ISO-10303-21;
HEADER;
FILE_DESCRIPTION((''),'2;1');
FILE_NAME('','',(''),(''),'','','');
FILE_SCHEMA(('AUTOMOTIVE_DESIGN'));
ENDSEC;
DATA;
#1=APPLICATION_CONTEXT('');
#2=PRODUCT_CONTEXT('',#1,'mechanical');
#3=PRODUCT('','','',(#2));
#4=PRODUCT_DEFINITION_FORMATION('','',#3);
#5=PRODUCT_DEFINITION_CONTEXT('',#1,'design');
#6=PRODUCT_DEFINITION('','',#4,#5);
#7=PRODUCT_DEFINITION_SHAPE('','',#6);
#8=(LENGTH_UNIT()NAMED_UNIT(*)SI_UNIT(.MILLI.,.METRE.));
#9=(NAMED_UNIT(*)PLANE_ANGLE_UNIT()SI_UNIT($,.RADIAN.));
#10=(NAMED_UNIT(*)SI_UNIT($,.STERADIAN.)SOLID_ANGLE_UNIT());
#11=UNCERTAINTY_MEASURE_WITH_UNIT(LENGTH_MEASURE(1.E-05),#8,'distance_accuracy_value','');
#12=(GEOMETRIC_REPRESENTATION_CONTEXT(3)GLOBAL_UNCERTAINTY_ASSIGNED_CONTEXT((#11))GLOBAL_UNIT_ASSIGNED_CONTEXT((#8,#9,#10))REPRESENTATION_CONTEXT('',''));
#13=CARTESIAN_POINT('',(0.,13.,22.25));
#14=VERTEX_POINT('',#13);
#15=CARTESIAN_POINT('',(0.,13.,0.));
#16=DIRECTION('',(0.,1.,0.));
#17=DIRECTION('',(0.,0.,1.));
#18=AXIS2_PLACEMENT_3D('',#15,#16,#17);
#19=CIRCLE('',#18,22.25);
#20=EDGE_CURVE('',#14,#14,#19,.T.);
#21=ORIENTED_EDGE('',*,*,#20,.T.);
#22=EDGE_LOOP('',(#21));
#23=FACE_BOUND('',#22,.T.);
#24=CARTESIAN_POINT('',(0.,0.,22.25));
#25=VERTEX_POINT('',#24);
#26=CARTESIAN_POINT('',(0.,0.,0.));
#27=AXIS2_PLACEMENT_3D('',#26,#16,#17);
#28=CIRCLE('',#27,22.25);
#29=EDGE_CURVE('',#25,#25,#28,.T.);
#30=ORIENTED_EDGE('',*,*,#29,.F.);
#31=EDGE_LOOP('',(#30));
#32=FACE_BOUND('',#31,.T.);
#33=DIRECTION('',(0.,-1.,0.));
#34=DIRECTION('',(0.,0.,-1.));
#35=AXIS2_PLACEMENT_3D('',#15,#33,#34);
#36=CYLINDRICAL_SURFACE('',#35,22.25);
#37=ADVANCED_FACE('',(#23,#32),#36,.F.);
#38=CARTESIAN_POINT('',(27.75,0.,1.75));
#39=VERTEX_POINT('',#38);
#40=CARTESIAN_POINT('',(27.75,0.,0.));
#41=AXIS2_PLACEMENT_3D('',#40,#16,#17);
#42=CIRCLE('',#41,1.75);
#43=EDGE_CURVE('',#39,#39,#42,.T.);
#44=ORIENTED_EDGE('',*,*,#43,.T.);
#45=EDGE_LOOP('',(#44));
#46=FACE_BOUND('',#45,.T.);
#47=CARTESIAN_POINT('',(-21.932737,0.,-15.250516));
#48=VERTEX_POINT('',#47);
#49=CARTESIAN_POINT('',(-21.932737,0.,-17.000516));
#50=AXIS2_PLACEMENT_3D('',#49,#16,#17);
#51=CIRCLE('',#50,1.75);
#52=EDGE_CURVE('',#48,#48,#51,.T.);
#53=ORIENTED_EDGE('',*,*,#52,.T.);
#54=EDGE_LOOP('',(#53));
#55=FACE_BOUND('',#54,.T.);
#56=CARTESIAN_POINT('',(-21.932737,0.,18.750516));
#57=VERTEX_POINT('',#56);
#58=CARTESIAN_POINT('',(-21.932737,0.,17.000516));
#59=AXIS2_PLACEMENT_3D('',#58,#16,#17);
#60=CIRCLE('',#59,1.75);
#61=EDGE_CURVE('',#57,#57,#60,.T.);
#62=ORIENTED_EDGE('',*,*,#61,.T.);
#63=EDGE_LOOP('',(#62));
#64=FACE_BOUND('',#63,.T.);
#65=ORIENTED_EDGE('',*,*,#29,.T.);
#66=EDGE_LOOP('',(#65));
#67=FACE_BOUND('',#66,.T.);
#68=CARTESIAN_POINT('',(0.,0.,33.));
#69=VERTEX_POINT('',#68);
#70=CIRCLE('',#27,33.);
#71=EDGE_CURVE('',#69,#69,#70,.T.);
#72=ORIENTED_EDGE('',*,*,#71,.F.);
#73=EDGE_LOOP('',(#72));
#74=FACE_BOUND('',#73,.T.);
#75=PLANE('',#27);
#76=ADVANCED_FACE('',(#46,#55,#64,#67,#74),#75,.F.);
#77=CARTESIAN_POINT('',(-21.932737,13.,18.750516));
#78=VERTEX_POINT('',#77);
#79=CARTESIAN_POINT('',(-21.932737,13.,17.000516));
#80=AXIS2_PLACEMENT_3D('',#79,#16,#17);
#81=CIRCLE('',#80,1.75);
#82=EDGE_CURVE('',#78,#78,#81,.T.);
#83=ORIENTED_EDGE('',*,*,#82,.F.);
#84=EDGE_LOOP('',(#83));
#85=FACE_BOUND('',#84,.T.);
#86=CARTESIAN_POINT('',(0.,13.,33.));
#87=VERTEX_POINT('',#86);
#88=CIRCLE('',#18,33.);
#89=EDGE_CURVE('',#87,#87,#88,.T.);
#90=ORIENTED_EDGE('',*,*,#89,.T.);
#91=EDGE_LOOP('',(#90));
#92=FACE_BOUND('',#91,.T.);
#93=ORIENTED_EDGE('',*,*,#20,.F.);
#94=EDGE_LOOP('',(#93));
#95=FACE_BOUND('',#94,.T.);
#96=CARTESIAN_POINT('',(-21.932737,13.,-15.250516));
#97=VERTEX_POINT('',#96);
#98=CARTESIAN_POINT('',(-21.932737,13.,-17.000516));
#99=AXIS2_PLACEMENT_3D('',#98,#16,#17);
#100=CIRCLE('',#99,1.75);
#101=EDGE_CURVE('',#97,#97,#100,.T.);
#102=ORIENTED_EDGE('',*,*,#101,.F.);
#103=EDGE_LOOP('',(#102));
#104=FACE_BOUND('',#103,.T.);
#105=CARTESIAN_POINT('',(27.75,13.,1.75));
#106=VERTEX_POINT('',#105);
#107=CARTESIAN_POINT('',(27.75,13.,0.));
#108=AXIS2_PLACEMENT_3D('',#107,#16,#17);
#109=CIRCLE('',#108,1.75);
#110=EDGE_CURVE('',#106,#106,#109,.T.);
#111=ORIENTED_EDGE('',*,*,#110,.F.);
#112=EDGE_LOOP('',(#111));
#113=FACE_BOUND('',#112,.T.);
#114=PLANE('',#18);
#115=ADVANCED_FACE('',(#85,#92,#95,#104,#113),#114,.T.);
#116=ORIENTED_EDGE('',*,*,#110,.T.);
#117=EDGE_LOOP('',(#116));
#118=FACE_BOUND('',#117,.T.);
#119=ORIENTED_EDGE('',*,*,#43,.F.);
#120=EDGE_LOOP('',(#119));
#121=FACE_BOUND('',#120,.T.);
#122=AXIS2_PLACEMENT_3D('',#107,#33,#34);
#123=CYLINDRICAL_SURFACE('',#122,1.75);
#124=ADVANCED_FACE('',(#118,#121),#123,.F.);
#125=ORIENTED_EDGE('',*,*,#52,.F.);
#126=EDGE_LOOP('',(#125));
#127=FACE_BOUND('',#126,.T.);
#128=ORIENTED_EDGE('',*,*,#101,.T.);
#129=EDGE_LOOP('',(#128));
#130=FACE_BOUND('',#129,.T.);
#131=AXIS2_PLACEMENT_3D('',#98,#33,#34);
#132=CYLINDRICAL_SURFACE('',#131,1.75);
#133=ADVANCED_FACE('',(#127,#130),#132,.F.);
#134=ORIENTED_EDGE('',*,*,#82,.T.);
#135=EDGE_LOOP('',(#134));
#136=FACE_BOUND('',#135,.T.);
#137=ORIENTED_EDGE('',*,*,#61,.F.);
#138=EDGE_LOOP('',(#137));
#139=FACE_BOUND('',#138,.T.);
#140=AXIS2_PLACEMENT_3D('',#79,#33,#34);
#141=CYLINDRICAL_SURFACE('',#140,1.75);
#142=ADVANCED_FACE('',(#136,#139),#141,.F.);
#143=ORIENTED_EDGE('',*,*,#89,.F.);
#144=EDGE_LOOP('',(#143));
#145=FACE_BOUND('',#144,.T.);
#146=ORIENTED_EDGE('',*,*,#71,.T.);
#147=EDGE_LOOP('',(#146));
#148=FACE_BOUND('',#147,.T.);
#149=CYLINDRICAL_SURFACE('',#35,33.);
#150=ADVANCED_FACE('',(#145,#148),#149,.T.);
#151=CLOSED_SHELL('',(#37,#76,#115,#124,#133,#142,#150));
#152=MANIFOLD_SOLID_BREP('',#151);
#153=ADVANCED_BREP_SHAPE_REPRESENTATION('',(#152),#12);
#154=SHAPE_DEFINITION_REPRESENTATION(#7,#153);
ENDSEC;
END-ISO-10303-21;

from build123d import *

# Parameters (mm, degrees)
SKETCH2_R           = 33
SKETCH2_R_2         = 22.25
SKETCH2_R_3         = 1.75
BOSS_EXTRUDE1_DEPTH = 13


with BuildPart() as part:
    # Sketch2 → Boss-Extrude1 (new body)
    with BuildSketch(Plane(origin=(0, 0, 0), x_dir=(1, 0, 0), z_dir=(0, 1, 0))):
        Circle(SKETCH2_R)
        Circle(SKETCH2_R_2, mode=Mode.SUBTRACT)
        with Locations((-21.932737229, 17.000515805)):
            Circle(SKETCH2_R_3, mode=Mode.SUBTRACT)
        with Locations((-21.932737229, -17.000515805)):
            Circle(SKETCH2_R_3, mode=Mode.SUBTRACT)
        with Locations((27.75, 0)):
            Circle(SKETCH2_R_3, mode=Mode.SUBTRACT)
    extrude(amount=BOSS_EXTRUDE1_DEPTH)


solid = part.part
